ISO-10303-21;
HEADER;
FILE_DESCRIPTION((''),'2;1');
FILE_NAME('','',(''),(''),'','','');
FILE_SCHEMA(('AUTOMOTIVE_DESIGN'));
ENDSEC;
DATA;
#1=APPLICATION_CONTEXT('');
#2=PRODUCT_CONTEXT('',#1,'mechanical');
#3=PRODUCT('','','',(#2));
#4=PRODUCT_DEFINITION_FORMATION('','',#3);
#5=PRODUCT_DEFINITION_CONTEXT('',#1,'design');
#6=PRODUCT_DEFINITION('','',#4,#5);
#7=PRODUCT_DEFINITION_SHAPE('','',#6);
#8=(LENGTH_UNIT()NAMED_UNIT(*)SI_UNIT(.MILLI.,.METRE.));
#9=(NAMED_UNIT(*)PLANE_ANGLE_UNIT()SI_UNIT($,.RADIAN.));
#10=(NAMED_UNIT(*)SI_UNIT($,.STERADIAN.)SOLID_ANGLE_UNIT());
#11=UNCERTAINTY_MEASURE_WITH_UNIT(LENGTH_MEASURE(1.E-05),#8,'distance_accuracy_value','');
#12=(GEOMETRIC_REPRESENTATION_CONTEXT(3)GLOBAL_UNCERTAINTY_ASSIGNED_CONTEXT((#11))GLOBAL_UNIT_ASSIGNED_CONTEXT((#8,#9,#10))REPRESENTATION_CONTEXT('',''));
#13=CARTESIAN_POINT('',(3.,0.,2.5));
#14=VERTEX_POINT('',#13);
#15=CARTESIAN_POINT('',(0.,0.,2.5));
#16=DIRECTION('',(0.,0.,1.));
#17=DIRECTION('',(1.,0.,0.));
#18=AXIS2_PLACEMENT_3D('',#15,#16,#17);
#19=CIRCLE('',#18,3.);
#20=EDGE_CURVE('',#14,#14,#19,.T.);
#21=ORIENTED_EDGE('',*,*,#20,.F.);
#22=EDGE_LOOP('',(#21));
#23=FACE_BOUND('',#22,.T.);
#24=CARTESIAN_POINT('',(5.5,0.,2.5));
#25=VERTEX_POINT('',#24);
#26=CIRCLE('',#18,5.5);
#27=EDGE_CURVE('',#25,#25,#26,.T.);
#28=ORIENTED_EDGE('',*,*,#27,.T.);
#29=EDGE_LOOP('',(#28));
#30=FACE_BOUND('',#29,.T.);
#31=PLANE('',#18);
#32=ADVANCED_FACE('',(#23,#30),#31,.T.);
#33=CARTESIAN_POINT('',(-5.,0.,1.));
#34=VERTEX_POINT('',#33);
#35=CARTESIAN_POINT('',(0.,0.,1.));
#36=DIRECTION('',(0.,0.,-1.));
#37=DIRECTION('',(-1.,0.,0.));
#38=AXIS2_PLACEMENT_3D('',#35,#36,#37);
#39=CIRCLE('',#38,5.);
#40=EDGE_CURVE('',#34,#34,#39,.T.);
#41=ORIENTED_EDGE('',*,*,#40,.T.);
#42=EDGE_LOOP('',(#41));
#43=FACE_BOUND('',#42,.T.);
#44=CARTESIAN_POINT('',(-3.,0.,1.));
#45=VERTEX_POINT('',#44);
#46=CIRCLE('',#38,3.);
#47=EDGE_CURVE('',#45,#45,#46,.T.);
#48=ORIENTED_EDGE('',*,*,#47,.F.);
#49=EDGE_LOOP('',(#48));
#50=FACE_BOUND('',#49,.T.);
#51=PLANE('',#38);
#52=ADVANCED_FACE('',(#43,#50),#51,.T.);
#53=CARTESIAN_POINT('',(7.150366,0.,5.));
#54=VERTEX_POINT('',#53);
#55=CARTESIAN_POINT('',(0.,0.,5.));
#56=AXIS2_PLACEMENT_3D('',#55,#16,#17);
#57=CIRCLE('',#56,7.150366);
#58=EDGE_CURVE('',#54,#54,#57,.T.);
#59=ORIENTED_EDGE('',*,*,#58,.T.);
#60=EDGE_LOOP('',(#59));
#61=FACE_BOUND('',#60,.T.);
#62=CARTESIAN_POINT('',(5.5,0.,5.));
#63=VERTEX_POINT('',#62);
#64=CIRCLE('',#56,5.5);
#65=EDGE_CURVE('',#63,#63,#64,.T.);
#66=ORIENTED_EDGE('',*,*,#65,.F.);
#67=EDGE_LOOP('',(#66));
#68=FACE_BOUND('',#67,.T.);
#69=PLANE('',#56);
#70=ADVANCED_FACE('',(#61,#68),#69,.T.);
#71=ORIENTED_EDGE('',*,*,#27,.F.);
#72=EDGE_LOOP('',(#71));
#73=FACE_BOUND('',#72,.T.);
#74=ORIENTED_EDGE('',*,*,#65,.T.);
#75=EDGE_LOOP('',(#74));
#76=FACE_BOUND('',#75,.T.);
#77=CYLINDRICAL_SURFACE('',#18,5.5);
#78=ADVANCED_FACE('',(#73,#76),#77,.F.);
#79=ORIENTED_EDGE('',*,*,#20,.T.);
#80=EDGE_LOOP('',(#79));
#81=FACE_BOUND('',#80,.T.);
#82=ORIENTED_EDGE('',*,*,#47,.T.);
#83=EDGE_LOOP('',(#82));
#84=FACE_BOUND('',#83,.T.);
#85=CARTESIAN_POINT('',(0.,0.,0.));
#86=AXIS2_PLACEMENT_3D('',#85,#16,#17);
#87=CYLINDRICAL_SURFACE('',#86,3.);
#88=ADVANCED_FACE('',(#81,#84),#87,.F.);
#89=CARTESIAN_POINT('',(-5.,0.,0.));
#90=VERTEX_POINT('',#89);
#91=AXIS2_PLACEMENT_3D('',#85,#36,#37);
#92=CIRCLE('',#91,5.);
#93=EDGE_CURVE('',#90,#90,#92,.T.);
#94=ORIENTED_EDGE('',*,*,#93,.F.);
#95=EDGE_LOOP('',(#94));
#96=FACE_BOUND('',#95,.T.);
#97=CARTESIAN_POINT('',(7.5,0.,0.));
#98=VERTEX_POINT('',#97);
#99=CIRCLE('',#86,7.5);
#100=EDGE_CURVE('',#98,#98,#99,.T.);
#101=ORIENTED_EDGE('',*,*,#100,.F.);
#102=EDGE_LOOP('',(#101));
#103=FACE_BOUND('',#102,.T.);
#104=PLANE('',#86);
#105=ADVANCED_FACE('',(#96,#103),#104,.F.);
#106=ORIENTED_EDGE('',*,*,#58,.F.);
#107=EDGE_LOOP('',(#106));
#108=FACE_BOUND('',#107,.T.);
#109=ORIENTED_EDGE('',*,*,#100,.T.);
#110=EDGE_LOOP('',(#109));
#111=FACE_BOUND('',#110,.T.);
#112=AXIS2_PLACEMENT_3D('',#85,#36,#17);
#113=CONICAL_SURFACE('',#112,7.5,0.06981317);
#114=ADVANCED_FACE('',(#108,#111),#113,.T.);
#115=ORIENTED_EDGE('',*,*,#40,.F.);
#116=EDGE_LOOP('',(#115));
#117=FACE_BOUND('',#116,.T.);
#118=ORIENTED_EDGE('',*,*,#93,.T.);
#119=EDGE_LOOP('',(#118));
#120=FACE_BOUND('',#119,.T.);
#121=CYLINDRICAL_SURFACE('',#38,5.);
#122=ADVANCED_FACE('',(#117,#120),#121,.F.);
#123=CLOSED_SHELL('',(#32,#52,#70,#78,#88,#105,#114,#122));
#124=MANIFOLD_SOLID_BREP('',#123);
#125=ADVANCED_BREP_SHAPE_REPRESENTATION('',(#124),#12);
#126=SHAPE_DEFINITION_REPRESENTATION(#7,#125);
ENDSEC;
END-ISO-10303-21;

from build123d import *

# Parameters (mm, degrees)
SKETCH_1_R               = 7.5
EXTRUDE_1_DEPTH          = 5
EXTRUDE_1_TAPER          = 4
SKETCH_3_R               = 5
CUT_EXTRUDE_1_DEPTH      = 1
SKETCH_4_R               = 5.5
CUT_EXTRUDE_2_DEPTH      = 2.5
CUT_EXTRUDE_3_DEPTH      = 11.897247359
CUT_EXTRUDE_3_DEPTH_BACK = 11.897247359
SKETCH_5_R               = 3


with BuildPart() as part:
    # Эскиз1 → Бобышка-Вытянуть1 (new body)
    with BuildSketch(Plane.XY):
        Circle(SKETCH_1_R)
    extrude(amount=EXTRUDE_1_DEPTH, taper=EXTRUDE_1_TAPER)

    # Эскиз3 → Вырез-Вытянуть1 (cut)
    with BuildSketch(Plane(origin=(0, 0, 0), x_dir=(-1, 0, 0), z_dir=(0, 0, -1))):
        Circle(SKETCH_3_R)
    extrude(amount=-CUT_EXTRUDE_1_DEPTH, mode=Mode.SUBTRACT)

    # Эскиз4 → Вырез-Вытянуть2 (cut)
    with BuildSketch(Plane.XY.offset(5)):
        Circle(SKETCH_4_R)
    extrude(amount=-CUT_EXTRUDE_2_DEPTH, mode=Mode.SUBTRACT)

    # Эскиз5 → Вырез-Вытянуть3 (cut, two sides: drawn at the far end of the back side and taken through both)
    with BuildSketch(Plane.XY.offset(2.5).offset(-CUT_EXTRUDE_3_DEPTH_BACK)):
        Circle(SKETCH_5_R)
    extrude(amount=CUT_EXTRUDE_3_DEPTH + CUT_EXTRUDE_3_DEPTH_BACK, mode=Mode.SUBTRACT)


solid = part.part
